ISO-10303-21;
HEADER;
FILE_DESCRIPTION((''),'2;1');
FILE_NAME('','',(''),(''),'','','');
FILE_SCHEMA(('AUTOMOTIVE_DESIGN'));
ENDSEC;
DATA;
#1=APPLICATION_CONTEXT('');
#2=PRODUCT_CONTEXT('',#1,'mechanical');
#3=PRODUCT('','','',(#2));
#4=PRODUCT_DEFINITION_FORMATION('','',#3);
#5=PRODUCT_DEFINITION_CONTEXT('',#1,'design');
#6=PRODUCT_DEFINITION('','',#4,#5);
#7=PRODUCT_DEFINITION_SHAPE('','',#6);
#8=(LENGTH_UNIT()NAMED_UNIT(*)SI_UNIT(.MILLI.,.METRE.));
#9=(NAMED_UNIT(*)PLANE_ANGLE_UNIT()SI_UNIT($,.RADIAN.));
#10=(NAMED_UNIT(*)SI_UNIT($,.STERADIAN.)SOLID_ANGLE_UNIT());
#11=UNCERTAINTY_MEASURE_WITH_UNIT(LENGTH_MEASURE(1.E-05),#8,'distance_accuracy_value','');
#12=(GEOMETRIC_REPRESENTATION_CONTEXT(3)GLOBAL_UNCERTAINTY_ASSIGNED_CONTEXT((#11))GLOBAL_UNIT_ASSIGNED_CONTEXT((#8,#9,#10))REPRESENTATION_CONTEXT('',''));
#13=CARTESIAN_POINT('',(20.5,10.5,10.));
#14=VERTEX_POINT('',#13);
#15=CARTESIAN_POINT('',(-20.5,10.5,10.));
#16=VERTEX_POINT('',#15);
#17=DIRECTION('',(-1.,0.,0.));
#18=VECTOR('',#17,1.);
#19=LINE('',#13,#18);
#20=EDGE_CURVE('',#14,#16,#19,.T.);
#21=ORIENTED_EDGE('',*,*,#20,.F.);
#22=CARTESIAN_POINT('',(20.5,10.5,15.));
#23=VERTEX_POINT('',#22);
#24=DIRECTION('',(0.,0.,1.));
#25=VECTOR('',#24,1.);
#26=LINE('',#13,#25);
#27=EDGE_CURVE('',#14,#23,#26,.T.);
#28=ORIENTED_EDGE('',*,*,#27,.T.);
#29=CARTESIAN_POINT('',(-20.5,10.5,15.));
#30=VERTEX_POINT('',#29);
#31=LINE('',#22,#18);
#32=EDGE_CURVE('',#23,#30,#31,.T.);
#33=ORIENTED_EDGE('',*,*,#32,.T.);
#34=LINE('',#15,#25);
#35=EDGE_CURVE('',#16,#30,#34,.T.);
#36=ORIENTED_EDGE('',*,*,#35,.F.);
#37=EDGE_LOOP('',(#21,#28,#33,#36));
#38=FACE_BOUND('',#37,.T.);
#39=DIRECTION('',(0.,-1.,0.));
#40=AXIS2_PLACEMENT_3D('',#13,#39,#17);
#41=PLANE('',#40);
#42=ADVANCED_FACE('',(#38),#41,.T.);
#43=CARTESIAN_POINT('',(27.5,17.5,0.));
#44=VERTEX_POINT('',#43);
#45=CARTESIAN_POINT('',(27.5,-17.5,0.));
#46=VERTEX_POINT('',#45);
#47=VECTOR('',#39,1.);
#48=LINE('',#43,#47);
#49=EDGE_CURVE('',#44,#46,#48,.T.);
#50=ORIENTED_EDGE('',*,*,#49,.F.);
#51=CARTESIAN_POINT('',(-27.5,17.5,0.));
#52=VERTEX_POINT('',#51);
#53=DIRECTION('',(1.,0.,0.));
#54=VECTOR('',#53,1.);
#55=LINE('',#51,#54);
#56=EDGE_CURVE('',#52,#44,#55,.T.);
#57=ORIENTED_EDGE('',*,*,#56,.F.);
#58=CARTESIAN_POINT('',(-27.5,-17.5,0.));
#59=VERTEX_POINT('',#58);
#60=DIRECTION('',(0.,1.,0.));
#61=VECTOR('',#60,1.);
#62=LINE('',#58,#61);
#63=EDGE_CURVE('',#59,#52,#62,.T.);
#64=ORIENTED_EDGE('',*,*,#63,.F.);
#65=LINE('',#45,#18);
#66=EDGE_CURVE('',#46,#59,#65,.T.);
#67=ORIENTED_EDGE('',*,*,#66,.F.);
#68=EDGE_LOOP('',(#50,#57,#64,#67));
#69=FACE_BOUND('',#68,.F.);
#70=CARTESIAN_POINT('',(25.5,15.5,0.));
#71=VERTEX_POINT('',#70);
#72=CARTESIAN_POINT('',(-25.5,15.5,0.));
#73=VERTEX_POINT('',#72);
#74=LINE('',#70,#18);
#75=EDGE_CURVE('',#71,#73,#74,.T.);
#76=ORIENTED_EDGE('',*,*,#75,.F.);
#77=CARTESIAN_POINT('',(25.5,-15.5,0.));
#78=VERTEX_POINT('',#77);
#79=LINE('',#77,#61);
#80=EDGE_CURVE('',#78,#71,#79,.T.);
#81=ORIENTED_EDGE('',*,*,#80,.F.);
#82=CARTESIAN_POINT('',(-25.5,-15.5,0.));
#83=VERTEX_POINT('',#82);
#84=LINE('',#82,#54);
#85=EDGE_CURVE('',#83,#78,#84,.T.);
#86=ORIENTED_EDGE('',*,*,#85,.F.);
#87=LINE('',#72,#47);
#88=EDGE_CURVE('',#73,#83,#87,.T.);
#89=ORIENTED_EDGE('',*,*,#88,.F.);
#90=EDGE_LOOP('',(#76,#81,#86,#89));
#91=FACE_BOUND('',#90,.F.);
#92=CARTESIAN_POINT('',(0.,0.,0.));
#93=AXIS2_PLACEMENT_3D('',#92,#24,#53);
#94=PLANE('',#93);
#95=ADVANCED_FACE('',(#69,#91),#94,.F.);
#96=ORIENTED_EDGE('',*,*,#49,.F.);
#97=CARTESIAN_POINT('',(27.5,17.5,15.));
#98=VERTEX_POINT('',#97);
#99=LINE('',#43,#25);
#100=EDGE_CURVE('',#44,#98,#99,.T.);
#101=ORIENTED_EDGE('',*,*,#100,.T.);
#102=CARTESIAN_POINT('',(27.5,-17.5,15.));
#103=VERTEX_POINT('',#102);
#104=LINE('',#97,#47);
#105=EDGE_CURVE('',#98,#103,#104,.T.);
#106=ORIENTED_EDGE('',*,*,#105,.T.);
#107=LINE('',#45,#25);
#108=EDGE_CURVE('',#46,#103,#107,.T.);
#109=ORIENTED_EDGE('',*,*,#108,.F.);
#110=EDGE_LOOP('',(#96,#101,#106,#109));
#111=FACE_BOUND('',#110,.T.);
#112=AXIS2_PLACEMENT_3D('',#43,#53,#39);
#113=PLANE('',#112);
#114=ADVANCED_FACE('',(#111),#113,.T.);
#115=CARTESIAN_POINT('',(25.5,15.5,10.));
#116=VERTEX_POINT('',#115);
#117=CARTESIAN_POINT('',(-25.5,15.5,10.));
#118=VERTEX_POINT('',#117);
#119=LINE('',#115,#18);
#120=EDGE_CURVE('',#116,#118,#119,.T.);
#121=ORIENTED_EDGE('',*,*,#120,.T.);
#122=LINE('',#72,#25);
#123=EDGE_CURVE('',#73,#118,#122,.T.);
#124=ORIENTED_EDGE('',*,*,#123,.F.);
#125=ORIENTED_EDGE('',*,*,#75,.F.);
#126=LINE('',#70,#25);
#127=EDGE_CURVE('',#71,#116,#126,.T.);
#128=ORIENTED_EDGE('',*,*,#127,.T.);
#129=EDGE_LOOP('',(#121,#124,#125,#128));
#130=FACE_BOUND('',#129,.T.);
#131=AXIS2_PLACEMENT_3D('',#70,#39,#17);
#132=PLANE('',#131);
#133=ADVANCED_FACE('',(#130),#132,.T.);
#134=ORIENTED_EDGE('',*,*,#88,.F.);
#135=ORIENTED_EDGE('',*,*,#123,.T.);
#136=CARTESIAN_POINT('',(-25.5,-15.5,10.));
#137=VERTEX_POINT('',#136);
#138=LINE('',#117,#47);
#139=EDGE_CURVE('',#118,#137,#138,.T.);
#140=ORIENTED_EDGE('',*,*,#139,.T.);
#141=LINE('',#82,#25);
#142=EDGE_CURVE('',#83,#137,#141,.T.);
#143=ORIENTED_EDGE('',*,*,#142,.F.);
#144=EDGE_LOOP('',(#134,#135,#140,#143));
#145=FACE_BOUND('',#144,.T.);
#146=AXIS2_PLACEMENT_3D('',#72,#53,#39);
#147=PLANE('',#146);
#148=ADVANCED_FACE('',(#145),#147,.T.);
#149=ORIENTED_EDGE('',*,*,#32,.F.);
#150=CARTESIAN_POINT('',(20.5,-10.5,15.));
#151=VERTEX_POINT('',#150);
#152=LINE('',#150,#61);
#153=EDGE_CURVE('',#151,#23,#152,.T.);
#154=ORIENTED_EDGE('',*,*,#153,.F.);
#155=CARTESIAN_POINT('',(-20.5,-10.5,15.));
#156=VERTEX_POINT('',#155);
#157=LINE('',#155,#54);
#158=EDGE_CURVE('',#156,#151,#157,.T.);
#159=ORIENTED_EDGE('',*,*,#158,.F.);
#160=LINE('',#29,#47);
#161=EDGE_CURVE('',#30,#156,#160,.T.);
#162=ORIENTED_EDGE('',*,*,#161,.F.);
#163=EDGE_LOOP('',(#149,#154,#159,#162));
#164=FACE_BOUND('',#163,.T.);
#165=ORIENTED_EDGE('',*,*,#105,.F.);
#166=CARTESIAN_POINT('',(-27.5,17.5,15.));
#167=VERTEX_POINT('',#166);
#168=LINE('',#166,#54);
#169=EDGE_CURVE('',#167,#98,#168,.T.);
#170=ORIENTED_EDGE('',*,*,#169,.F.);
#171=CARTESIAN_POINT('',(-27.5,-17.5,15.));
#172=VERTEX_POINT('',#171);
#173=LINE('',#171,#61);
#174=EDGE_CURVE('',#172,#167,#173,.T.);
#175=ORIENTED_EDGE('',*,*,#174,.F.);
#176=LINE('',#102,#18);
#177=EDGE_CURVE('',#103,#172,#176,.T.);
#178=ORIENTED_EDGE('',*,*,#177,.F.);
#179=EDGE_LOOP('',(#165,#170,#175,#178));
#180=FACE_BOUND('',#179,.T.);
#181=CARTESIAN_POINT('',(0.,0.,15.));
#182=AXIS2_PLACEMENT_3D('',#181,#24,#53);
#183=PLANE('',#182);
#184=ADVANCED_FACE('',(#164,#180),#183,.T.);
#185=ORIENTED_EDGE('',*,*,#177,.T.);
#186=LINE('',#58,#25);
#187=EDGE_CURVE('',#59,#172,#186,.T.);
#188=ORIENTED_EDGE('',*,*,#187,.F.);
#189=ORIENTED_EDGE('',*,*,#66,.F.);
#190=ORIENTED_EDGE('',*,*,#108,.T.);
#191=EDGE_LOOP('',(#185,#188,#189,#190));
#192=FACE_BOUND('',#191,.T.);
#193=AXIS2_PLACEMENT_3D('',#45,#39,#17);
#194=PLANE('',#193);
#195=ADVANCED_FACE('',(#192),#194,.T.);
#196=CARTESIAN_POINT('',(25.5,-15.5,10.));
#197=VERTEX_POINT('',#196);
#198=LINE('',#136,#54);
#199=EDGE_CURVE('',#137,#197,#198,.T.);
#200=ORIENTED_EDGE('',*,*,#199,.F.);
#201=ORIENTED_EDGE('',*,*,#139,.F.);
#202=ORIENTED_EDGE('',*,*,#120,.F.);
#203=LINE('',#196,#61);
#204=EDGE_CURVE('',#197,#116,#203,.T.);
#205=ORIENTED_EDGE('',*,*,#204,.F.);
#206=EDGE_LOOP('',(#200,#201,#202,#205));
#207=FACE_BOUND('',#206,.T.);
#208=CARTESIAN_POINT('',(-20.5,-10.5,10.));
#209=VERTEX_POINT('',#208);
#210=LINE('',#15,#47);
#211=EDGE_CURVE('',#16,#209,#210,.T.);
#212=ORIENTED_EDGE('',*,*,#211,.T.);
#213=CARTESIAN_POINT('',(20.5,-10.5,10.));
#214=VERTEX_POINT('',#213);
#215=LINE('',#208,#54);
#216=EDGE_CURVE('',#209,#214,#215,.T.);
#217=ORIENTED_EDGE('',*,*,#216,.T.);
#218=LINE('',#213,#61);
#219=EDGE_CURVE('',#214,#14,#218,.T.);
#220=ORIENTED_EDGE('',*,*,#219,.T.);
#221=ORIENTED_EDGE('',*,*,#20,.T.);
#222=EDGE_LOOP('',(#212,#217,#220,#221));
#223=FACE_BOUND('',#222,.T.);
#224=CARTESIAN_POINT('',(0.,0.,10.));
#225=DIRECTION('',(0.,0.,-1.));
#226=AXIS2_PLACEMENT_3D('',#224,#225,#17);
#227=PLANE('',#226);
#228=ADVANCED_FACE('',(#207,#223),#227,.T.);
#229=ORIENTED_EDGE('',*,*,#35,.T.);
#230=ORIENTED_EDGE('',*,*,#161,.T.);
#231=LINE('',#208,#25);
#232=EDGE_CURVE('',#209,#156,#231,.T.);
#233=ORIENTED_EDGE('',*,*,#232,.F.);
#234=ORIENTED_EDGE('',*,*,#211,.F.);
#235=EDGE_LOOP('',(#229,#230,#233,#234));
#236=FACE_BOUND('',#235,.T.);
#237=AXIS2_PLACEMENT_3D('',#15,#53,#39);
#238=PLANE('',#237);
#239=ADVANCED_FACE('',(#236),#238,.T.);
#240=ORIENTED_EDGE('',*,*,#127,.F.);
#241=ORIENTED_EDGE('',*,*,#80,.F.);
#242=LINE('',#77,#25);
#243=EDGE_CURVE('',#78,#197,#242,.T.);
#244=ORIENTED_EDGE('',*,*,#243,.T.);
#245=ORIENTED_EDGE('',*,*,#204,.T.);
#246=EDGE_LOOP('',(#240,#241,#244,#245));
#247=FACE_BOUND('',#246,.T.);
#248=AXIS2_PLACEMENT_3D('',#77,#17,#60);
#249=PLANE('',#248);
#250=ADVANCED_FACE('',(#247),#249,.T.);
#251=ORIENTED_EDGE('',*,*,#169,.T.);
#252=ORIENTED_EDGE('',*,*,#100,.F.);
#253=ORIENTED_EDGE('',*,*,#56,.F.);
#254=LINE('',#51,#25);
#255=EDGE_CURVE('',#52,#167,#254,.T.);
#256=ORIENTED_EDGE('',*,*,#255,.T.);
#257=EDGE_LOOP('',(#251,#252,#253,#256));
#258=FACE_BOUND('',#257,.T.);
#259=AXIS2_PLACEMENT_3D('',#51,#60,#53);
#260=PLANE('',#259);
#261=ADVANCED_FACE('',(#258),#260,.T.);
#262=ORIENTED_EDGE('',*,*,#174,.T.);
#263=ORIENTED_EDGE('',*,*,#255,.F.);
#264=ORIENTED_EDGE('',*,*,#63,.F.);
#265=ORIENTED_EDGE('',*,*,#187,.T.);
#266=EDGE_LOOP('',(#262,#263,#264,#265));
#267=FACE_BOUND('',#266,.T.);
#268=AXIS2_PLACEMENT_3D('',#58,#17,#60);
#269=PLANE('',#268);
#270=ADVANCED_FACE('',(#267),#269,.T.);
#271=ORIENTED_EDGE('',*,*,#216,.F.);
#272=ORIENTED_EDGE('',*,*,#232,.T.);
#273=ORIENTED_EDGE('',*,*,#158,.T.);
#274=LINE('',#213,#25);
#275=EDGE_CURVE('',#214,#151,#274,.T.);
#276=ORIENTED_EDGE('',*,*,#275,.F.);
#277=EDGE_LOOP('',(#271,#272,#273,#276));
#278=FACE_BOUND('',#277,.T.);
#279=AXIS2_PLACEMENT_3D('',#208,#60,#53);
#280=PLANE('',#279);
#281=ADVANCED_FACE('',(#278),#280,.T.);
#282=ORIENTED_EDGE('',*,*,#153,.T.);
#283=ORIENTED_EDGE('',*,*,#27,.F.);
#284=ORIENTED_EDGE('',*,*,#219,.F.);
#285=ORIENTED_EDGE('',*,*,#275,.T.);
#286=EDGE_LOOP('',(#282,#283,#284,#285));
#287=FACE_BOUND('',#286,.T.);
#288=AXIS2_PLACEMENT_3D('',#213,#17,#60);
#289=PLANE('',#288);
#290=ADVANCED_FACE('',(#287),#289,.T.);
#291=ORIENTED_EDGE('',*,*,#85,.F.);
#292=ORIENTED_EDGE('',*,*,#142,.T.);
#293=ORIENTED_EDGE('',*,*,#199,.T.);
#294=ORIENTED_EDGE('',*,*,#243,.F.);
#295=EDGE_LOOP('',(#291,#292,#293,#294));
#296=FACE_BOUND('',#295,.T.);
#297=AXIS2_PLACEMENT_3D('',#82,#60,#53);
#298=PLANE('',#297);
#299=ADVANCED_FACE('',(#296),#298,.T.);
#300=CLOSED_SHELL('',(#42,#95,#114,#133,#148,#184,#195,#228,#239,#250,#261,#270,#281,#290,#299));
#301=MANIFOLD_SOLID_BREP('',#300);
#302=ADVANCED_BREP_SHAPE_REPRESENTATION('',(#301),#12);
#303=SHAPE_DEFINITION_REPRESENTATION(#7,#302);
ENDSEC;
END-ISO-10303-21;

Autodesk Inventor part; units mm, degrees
ref_plane "Work Plane1" through (0, 0, 80) normal (0, 0, 1) x (1, 0, 0)
ref_plane "YZ Plane" through (0, 0, 0) normal (1, 0, 0) x (0, 1, 0)
ref_plane "XZ Plane" through (0, 0, 0) normal (0, 1, 0) x (-1, 0, 0)
sketch "Sketch4" plane through (0, 0, 0) normal (0, 0, 1) x (1, 0, 0)
  line L0 (-27.5, 17.5) -> (27.5, 17.5)
  line L1 (27.5, 17.5) -> (27.5, -17.5)
  line L2 (27.5, -17.5) -> (-27.5, -17.5)
  line L3 (-27.5, -17.5) -> (-27.5, 17.5)
  line L4 (0, 0) -> (0, -2.5)
  line L5 (0, 0) -> (1.7044, 0)
  dimension "d52" = 55
  dimension "d53" = 35
extrude "Extrusion3" add sketch "Sketch4" along normal blind 15
sketch "Sketch1" plane through (0, 0, 0) normal (0, 0, -1) x (-1, 0, 0)
  line L0 (-25.5, 15.5) -> (25.5, 15.5)
  line L1 (25.5, 15.5) -> (25.5, -15.5)
  line L2 (25.5, -15.5) -> (-25.5, -15.5)
  line L3 (-25.5, -15.5) -> (-25.5, 15.5)
  line L4 (27.5, 17.5) -> (-27.5, 17.5) projected
  line L5 (-27.5, 17.5) -> (-27.5, -17.5) projected
  line L6 (-27.5, -17.5) -> (27.5, -17.5) projected
  line L7 (27.5, -17.5) -> (27.5, 17.5) projected
  line L8 (0, 0) -> (0, -2)
  line L9 (0, 0) -> (2, 0)
  dimension "d0" = 51
  dimension "d1" = 31
extrude "Extrusion4" cut sketch "Sketch1" against normal blind 10 contours L0 L1 L2 L3
sketch "Sketch5" plane through (0, 0, 10) normal (0, 0, -1) x (-1, 0, 0)
  line L0 (-25.5, 15.5) -> (25.5, 15.5) projected
  line L1 (-25.5, -15.5) -> (-25.5, 15.5) projected
  line L2 (25.5, -15.5) -> (-25.5, -15.5) projected
  line L3 (25.5, 15.5) -> (25.5, -15.5) projected
  line L4 (0, 0) -> (2, 0)
  line L5 (0, 0) -> (0, -2)
  line L6 (-20.5, 10.5) -> (20.5, 10.5)
  line L7 (20.5, 10.5) -> (20.5, -10.5)
  line L8 (20.5, -10.5) -> (-20.5, -10.5)
  line L9 (-20.5, -10.5) -> (-20.5, 10.5)
  dimension "d58" = 2
  dimension "d59" = 2
  dimension "d60" = 41
  dimension "d61" = 21
extrude "Extrusion5" cut sketch "Sketch5" against normal blind 5 contours L6 L7 L8 L9
sketch "Sketch2" plane through (0, 0, 80) normal (0, 0, 1) x (1, 0, 0)
  circle A0 centre (0, 0) radius 55
  dimension "d6" = 110
sketch "Sketch3" plane through (0, 0, 80) normal (0, 0, 1) x (1, 0, 0)
  circle A0 centre (0, 0) radius 52
  dimension "d30" = 104
properties part number "embudo0.2"
